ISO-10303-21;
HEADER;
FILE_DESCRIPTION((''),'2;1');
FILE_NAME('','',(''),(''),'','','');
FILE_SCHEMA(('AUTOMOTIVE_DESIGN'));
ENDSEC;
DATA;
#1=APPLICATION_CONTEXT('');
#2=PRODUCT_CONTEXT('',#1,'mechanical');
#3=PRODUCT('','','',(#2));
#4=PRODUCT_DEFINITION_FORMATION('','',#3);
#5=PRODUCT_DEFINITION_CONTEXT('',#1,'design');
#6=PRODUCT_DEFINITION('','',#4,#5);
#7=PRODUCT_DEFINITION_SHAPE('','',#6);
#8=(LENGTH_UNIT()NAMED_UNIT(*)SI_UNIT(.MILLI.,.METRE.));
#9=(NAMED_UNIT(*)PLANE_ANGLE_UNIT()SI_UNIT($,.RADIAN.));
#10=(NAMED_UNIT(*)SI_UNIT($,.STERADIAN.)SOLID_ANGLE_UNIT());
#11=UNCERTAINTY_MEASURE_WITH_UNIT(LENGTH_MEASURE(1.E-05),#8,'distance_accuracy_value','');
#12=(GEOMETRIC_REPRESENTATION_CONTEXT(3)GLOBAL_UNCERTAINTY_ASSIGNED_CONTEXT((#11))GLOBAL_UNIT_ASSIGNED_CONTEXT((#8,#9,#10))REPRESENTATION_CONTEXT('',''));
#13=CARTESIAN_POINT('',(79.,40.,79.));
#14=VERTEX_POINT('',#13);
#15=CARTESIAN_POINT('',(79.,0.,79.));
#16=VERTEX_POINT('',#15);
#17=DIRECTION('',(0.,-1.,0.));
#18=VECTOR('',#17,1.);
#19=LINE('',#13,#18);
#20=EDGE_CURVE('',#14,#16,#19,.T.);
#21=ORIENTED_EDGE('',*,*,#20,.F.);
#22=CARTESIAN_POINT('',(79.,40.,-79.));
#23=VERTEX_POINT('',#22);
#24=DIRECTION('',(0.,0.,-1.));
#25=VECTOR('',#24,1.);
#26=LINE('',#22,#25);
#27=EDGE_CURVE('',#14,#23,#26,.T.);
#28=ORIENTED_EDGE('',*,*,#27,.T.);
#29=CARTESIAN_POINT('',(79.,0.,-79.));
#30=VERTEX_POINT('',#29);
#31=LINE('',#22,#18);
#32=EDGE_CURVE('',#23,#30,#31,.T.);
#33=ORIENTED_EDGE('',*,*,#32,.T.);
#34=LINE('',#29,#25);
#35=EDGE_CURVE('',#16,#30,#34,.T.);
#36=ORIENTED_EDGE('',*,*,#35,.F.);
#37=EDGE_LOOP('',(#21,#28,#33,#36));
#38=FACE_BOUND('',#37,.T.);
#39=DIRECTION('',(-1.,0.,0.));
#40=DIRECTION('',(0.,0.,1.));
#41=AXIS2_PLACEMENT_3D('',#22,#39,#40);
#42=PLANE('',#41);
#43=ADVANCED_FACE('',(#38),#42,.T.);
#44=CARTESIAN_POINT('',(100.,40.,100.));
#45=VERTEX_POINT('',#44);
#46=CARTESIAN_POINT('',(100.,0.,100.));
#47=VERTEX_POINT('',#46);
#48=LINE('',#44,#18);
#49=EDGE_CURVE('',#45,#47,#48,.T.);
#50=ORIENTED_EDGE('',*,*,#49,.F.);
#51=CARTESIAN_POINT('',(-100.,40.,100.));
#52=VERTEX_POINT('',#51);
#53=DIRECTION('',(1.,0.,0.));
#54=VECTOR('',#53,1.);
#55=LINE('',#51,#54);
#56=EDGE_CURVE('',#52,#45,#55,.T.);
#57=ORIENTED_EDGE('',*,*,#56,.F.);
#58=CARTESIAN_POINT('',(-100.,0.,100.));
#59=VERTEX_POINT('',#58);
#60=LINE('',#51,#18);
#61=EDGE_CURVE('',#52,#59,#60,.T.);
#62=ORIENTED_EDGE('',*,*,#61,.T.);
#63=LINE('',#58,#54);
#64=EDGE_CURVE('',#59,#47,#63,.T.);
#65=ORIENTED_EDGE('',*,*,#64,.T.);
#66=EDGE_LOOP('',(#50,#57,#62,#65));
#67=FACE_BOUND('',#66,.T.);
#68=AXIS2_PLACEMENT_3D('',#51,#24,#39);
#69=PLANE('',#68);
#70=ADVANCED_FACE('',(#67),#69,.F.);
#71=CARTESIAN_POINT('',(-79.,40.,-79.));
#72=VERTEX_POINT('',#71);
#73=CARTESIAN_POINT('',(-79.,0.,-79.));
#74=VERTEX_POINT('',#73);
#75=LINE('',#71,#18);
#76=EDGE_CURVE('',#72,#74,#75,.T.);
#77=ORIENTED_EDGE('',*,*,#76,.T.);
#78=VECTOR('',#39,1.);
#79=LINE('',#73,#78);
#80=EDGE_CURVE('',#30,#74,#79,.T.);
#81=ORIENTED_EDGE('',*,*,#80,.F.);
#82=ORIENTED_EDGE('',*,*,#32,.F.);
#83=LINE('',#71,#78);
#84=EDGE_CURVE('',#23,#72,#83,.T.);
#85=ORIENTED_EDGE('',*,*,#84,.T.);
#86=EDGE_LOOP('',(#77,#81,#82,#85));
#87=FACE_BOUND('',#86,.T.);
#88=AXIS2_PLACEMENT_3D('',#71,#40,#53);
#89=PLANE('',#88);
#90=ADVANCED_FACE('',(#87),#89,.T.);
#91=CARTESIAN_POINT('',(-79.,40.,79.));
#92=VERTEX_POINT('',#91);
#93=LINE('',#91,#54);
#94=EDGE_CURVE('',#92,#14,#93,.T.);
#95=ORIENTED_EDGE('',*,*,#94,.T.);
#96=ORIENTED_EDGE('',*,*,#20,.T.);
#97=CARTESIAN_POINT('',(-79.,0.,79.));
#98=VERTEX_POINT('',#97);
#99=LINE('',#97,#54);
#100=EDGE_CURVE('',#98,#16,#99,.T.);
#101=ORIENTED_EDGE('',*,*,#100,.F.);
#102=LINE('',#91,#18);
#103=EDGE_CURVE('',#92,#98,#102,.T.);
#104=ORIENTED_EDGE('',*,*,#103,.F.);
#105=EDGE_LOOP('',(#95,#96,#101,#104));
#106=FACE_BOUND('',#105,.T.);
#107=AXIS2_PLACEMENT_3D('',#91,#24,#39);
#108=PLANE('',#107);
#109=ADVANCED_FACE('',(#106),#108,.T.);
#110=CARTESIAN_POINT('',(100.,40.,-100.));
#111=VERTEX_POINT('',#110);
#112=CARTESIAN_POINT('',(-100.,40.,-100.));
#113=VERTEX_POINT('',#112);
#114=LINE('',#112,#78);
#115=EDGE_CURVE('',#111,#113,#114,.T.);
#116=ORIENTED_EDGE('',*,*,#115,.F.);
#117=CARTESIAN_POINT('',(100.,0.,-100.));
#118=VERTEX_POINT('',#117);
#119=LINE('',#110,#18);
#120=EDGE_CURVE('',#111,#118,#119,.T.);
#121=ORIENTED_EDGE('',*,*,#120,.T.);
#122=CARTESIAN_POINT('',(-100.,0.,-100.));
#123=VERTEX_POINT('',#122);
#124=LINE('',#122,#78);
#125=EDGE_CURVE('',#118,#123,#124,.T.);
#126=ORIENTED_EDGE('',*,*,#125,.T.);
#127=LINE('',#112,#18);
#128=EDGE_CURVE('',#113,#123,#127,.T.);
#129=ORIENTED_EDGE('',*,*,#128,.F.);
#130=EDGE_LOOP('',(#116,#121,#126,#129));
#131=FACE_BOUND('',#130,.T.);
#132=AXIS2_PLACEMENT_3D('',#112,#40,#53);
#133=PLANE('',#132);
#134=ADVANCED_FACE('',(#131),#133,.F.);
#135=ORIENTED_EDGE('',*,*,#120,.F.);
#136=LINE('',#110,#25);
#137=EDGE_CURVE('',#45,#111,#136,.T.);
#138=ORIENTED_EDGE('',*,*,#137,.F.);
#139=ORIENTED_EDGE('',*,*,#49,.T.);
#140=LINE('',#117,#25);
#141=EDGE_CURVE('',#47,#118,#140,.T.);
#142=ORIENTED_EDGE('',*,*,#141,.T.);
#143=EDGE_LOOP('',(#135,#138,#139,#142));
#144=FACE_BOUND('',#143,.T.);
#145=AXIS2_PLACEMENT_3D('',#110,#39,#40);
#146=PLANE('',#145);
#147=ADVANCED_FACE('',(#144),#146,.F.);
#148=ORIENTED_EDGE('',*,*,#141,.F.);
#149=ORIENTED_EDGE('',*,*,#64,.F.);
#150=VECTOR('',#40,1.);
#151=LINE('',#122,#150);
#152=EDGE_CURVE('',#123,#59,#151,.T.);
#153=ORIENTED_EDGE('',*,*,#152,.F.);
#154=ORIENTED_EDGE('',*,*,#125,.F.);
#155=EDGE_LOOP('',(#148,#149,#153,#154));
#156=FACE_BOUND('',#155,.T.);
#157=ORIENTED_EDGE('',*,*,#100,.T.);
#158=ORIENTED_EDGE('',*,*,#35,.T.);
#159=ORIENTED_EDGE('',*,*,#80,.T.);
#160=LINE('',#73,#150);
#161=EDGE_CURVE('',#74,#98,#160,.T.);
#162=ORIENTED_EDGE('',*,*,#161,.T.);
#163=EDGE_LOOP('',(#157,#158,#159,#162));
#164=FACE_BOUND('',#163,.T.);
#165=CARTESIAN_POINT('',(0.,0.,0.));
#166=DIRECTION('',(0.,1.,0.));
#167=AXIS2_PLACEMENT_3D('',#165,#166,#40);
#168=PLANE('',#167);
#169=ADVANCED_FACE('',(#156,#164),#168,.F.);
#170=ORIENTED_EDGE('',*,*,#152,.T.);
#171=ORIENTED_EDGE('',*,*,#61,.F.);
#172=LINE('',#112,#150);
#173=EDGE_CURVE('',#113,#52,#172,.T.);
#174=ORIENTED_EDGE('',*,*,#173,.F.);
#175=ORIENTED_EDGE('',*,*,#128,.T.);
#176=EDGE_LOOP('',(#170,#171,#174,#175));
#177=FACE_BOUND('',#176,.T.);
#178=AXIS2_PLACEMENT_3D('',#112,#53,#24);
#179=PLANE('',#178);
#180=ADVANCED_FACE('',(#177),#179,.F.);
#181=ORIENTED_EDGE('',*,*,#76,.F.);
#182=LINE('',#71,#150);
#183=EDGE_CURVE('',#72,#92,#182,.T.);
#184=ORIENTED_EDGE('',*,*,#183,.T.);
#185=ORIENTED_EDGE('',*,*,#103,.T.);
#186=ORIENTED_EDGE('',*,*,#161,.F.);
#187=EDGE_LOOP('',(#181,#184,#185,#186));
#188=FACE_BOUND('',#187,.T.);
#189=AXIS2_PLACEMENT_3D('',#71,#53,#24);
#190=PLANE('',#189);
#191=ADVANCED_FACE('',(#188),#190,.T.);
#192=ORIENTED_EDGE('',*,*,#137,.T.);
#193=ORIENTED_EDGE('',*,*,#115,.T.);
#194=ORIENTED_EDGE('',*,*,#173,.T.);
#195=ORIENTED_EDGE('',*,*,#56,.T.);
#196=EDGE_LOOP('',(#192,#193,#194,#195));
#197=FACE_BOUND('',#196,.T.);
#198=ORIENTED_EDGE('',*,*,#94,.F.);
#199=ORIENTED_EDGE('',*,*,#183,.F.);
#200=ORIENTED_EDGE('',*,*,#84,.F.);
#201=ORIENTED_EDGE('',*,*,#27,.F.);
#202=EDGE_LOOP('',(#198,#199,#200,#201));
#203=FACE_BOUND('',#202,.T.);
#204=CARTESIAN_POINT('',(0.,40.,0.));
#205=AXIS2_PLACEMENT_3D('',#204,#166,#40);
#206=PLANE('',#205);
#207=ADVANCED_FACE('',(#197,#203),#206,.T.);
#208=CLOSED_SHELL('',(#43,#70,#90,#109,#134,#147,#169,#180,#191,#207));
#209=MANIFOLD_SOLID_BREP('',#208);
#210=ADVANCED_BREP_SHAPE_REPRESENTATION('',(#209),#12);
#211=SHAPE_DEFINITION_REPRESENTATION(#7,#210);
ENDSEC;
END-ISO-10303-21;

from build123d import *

# Parameters (mm, degrees)
CROQUIS1_W              = 200
CROQUIS1_H              = 200
CROQUIS1_W_2            = 158
CROQUIS1_H_2            = 158
SALIENTE_EXTRUIR1_DEPTH = 40


with BuildPart() as part:
    # Croquis1 → Saliente-Extruir1 (new body)
    with BuildSketch(Plane(origin=(0, 0, 0), x_dir=(1, 0, 0), z_dir=(0, 1, 0))):
        Rectangle(CROQUIS1_W, CROQUIS1_H)
        Rectangle(CROQUIS1_W_2, CROQUIS1_H_2, mode=Mode.SUBTRACT)
    extrude(amount=SALIENTE_EXTRUIR1_DEPTH)


solid = part.part
